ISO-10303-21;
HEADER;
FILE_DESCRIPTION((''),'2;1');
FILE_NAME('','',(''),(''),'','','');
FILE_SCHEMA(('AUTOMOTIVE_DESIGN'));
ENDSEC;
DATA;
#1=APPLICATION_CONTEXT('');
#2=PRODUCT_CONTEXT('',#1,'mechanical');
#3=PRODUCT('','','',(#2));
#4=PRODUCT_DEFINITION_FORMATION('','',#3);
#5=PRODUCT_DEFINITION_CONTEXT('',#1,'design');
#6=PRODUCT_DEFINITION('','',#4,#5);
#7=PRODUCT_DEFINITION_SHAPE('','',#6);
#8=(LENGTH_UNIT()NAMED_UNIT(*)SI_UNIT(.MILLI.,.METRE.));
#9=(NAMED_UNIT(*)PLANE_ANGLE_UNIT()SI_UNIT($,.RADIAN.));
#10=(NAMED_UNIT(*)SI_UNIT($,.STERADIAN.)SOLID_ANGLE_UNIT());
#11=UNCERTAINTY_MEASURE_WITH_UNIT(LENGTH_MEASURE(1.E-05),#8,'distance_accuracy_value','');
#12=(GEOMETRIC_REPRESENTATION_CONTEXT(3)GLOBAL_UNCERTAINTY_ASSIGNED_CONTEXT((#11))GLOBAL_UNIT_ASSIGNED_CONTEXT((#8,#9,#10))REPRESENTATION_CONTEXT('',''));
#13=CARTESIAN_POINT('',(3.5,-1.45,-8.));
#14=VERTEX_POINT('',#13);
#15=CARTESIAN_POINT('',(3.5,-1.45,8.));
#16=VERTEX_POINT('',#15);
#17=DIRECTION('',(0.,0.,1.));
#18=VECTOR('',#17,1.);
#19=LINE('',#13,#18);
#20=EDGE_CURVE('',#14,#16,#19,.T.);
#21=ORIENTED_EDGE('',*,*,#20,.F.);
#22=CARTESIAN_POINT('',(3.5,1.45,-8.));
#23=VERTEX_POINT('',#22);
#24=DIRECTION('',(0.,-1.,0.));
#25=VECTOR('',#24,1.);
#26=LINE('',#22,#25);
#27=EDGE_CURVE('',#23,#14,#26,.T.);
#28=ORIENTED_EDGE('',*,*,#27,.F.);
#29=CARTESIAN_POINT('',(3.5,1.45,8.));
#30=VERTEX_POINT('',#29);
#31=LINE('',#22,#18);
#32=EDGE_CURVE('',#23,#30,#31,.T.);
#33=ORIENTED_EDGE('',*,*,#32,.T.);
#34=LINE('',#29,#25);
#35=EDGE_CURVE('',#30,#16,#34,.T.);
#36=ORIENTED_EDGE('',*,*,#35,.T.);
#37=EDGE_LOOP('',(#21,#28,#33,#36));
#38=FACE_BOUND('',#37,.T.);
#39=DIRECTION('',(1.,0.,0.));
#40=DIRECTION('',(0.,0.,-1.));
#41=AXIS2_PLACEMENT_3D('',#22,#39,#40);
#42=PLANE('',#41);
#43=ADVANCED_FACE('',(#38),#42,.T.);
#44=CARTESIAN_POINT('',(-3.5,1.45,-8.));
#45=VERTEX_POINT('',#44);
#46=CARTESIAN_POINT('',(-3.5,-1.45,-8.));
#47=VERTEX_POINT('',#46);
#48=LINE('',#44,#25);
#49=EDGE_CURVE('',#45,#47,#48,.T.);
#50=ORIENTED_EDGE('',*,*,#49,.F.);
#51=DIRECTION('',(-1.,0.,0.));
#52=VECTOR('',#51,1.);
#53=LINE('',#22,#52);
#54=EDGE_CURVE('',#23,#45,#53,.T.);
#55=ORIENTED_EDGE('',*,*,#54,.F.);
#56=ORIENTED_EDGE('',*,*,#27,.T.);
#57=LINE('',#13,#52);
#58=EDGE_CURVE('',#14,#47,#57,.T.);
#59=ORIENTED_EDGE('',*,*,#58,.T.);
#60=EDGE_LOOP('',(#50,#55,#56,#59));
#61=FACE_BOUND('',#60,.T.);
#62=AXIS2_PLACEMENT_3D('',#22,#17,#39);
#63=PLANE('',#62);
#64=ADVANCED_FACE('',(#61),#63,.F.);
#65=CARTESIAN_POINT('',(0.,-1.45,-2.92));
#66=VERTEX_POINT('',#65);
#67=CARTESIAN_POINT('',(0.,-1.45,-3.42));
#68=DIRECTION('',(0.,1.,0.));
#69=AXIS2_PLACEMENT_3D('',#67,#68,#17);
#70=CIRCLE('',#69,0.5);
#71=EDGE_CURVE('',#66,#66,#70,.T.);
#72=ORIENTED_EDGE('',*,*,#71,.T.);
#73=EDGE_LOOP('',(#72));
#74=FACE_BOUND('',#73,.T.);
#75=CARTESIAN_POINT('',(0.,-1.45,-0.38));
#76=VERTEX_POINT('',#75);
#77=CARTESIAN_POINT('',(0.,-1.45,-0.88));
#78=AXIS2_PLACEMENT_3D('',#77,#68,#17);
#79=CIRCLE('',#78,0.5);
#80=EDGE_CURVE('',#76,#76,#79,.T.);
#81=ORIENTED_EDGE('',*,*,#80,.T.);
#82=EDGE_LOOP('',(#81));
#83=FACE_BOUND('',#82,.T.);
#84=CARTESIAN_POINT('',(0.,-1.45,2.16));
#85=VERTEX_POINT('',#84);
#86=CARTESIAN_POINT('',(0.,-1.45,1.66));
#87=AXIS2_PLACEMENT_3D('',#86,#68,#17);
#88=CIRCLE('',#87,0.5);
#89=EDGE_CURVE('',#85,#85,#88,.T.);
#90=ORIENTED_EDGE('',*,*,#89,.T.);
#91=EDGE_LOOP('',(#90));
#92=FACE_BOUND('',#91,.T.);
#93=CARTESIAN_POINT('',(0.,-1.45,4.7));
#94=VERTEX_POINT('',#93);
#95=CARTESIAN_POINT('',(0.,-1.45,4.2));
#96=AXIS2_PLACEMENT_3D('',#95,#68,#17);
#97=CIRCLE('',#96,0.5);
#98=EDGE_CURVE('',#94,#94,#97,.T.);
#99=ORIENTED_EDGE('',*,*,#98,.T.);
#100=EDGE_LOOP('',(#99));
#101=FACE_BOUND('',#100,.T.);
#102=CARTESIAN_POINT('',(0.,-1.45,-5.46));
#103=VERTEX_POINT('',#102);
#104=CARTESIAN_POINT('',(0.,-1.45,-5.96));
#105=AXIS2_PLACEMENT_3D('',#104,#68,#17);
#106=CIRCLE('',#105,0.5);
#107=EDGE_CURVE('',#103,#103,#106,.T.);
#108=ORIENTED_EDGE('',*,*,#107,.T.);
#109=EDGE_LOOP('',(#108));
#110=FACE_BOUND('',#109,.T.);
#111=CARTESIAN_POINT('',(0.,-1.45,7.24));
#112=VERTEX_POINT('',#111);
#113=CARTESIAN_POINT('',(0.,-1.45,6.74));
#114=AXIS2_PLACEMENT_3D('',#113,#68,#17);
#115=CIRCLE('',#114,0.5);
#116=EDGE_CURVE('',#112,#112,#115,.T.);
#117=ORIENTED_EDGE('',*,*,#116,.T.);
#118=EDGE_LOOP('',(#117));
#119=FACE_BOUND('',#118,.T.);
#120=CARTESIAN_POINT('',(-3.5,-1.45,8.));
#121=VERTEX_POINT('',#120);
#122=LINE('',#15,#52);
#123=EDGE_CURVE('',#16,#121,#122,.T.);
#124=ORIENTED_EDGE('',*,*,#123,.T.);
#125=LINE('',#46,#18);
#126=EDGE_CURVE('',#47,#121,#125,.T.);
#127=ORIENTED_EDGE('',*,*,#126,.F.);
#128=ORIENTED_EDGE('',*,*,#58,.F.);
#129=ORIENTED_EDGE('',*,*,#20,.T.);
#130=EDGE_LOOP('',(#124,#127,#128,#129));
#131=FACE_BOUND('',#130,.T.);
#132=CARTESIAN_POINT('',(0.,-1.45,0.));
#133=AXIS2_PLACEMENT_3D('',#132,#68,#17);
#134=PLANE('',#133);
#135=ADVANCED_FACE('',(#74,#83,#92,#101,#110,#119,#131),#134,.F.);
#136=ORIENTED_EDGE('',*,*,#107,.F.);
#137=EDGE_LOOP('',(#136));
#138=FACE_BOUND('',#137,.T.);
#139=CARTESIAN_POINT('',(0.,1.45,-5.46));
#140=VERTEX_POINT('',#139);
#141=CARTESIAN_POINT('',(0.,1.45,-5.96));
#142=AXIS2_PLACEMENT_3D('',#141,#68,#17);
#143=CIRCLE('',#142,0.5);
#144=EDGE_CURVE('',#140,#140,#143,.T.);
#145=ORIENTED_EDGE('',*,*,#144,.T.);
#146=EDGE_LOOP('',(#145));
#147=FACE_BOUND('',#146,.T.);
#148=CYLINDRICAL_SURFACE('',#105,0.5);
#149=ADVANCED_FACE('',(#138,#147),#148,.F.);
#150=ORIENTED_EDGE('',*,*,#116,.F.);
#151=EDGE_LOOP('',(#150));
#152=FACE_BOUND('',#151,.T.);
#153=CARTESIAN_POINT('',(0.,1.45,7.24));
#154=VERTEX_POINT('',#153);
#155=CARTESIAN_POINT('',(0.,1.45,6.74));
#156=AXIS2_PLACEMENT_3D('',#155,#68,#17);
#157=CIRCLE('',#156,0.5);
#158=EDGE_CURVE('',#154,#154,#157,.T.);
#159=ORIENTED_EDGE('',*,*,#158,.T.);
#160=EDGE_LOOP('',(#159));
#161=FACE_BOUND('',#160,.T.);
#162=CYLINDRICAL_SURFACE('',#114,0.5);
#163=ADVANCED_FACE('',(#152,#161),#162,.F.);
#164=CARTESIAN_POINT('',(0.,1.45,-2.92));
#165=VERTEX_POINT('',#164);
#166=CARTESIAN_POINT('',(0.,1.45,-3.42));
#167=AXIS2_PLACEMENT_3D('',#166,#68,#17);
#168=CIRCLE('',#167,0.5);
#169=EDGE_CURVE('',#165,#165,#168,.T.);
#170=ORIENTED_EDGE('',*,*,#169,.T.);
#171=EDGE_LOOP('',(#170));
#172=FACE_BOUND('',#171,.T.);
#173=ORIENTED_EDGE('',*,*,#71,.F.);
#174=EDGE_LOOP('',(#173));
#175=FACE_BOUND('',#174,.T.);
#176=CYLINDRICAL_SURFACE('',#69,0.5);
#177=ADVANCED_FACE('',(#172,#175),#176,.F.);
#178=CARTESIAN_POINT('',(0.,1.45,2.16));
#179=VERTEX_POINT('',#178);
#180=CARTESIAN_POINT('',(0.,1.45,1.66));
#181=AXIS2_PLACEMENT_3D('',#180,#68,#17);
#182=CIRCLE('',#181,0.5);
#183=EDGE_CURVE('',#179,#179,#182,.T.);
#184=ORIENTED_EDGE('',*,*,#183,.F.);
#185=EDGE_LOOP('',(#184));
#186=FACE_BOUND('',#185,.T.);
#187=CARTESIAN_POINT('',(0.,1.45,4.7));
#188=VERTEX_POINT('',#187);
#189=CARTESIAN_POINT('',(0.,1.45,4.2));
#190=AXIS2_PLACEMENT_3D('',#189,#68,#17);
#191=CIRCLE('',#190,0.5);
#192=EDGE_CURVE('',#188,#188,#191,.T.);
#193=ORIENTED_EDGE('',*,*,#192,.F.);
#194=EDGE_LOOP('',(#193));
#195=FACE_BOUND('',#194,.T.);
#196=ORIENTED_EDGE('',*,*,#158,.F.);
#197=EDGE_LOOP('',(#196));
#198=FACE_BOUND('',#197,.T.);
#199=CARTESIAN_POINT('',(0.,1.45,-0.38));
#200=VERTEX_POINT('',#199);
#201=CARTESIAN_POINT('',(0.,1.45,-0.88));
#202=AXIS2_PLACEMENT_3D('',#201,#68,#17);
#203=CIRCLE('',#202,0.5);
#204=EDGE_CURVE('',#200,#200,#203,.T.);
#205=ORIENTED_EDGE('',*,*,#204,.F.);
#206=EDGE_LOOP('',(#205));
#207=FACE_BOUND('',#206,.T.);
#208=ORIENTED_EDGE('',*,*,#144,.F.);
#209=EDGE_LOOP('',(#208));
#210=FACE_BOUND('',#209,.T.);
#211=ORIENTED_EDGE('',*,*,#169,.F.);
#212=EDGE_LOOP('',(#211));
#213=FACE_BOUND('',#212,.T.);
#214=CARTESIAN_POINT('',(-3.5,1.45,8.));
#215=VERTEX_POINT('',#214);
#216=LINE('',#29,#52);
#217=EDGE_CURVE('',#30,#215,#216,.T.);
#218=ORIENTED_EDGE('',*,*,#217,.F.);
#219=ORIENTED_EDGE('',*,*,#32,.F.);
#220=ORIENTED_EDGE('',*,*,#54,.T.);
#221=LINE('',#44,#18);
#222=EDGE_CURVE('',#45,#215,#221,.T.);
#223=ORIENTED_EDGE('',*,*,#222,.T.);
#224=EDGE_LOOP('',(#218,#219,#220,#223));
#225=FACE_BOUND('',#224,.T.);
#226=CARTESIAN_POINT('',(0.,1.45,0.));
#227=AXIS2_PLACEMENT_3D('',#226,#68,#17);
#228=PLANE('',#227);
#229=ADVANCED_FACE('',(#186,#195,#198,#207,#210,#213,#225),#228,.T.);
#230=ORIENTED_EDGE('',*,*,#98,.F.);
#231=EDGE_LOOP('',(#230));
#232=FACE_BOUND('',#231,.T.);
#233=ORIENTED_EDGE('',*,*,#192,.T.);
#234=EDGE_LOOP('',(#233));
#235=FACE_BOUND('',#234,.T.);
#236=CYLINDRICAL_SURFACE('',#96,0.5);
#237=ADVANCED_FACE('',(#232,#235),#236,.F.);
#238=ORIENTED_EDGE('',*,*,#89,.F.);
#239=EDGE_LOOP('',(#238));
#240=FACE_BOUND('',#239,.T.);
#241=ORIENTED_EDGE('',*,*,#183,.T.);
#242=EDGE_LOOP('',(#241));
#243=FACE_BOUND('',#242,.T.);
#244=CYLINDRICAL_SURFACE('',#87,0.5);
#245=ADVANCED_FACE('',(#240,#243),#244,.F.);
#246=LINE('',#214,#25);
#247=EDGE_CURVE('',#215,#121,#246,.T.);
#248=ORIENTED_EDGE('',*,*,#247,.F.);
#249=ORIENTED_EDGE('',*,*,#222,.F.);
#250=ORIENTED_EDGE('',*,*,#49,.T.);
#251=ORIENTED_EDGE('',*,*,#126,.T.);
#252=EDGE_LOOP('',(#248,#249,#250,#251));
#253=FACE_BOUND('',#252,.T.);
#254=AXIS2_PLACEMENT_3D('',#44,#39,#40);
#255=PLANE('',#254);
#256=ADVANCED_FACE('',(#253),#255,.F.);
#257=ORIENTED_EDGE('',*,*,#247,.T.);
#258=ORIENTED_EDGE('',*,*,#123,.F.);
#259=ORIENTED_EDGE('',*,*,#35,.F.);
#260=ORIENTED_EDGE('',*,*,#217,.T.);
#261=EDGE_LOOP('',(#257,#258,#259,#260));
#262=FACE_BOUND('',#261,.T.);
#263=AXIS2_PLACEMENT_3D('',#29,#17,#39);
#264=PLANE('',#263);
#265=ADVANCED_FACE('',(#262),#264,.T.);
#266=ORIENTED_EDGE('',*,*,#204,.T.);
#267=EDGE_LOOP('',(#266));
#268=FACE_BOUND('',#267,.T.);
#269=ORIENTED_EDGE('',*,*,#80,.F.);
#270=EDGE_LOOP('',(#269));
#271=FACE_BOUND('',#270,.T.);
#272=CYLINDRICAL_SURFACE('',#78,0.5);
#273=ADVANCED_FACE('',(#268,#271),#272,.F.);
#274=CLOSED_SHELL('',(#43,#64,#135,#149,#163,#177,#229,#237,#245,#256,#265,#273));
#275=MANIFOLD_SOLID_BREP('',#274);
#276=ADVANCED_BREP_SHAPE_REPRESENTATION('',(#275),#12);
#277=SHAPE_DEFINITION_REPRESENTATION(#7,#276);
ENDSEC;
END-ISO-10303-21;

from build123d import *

# Parameters (mm, degrees)
SKETCH1_W           = 7
SKETCH1_H           = 16
BOSS_EXTRUDE1_DEPTH = 1.45
SKETCH2_R           = 0.5
CUT_EXTRUDE1_DEPTH  = 3.9
LPATTERN1_COUNT     = 12
LPATTERN1_PITCH     = 2.54


with BuildPart() as part:
    # Sketch1 → Boss-Extrude1 (new body, symmetric)
    with BuildSketch(Plane(origin=(0, 0, 0), x_dir=(1, 0, 0), z_dir=(0, 1, 0))):
        Rectangle(SKETCH1_W, SKETCH1_H)
    extrude(amount=BOSS_EXTRUDE1_DEPTH, both=True)

    # Sketch2 → Cut-Extrude1 (cut, through all)
    with BuildSketch(Plane(origin=(0, 1.45, 0), x_dir=(1, 0, 0), z_dir=(0, 1, 0))):
        with Locations((0, 5.96)):
            Circle(SKETCH2_R)
    cut_extrude1 = extrude(amount=-CUT_EXTRUDE1_DEPTH, mode=Mode.SUBTRACT)

    # LPattern1: Cut-Extrude1 ×12
    with Locations(*[(0, 0, i * LPATTERN1_PITCH) for i in range(1, LPATTERN1_COUNT)]):
        add(cut_extrude1, mode=Mode.SUBTRACT)


solid = part.part
